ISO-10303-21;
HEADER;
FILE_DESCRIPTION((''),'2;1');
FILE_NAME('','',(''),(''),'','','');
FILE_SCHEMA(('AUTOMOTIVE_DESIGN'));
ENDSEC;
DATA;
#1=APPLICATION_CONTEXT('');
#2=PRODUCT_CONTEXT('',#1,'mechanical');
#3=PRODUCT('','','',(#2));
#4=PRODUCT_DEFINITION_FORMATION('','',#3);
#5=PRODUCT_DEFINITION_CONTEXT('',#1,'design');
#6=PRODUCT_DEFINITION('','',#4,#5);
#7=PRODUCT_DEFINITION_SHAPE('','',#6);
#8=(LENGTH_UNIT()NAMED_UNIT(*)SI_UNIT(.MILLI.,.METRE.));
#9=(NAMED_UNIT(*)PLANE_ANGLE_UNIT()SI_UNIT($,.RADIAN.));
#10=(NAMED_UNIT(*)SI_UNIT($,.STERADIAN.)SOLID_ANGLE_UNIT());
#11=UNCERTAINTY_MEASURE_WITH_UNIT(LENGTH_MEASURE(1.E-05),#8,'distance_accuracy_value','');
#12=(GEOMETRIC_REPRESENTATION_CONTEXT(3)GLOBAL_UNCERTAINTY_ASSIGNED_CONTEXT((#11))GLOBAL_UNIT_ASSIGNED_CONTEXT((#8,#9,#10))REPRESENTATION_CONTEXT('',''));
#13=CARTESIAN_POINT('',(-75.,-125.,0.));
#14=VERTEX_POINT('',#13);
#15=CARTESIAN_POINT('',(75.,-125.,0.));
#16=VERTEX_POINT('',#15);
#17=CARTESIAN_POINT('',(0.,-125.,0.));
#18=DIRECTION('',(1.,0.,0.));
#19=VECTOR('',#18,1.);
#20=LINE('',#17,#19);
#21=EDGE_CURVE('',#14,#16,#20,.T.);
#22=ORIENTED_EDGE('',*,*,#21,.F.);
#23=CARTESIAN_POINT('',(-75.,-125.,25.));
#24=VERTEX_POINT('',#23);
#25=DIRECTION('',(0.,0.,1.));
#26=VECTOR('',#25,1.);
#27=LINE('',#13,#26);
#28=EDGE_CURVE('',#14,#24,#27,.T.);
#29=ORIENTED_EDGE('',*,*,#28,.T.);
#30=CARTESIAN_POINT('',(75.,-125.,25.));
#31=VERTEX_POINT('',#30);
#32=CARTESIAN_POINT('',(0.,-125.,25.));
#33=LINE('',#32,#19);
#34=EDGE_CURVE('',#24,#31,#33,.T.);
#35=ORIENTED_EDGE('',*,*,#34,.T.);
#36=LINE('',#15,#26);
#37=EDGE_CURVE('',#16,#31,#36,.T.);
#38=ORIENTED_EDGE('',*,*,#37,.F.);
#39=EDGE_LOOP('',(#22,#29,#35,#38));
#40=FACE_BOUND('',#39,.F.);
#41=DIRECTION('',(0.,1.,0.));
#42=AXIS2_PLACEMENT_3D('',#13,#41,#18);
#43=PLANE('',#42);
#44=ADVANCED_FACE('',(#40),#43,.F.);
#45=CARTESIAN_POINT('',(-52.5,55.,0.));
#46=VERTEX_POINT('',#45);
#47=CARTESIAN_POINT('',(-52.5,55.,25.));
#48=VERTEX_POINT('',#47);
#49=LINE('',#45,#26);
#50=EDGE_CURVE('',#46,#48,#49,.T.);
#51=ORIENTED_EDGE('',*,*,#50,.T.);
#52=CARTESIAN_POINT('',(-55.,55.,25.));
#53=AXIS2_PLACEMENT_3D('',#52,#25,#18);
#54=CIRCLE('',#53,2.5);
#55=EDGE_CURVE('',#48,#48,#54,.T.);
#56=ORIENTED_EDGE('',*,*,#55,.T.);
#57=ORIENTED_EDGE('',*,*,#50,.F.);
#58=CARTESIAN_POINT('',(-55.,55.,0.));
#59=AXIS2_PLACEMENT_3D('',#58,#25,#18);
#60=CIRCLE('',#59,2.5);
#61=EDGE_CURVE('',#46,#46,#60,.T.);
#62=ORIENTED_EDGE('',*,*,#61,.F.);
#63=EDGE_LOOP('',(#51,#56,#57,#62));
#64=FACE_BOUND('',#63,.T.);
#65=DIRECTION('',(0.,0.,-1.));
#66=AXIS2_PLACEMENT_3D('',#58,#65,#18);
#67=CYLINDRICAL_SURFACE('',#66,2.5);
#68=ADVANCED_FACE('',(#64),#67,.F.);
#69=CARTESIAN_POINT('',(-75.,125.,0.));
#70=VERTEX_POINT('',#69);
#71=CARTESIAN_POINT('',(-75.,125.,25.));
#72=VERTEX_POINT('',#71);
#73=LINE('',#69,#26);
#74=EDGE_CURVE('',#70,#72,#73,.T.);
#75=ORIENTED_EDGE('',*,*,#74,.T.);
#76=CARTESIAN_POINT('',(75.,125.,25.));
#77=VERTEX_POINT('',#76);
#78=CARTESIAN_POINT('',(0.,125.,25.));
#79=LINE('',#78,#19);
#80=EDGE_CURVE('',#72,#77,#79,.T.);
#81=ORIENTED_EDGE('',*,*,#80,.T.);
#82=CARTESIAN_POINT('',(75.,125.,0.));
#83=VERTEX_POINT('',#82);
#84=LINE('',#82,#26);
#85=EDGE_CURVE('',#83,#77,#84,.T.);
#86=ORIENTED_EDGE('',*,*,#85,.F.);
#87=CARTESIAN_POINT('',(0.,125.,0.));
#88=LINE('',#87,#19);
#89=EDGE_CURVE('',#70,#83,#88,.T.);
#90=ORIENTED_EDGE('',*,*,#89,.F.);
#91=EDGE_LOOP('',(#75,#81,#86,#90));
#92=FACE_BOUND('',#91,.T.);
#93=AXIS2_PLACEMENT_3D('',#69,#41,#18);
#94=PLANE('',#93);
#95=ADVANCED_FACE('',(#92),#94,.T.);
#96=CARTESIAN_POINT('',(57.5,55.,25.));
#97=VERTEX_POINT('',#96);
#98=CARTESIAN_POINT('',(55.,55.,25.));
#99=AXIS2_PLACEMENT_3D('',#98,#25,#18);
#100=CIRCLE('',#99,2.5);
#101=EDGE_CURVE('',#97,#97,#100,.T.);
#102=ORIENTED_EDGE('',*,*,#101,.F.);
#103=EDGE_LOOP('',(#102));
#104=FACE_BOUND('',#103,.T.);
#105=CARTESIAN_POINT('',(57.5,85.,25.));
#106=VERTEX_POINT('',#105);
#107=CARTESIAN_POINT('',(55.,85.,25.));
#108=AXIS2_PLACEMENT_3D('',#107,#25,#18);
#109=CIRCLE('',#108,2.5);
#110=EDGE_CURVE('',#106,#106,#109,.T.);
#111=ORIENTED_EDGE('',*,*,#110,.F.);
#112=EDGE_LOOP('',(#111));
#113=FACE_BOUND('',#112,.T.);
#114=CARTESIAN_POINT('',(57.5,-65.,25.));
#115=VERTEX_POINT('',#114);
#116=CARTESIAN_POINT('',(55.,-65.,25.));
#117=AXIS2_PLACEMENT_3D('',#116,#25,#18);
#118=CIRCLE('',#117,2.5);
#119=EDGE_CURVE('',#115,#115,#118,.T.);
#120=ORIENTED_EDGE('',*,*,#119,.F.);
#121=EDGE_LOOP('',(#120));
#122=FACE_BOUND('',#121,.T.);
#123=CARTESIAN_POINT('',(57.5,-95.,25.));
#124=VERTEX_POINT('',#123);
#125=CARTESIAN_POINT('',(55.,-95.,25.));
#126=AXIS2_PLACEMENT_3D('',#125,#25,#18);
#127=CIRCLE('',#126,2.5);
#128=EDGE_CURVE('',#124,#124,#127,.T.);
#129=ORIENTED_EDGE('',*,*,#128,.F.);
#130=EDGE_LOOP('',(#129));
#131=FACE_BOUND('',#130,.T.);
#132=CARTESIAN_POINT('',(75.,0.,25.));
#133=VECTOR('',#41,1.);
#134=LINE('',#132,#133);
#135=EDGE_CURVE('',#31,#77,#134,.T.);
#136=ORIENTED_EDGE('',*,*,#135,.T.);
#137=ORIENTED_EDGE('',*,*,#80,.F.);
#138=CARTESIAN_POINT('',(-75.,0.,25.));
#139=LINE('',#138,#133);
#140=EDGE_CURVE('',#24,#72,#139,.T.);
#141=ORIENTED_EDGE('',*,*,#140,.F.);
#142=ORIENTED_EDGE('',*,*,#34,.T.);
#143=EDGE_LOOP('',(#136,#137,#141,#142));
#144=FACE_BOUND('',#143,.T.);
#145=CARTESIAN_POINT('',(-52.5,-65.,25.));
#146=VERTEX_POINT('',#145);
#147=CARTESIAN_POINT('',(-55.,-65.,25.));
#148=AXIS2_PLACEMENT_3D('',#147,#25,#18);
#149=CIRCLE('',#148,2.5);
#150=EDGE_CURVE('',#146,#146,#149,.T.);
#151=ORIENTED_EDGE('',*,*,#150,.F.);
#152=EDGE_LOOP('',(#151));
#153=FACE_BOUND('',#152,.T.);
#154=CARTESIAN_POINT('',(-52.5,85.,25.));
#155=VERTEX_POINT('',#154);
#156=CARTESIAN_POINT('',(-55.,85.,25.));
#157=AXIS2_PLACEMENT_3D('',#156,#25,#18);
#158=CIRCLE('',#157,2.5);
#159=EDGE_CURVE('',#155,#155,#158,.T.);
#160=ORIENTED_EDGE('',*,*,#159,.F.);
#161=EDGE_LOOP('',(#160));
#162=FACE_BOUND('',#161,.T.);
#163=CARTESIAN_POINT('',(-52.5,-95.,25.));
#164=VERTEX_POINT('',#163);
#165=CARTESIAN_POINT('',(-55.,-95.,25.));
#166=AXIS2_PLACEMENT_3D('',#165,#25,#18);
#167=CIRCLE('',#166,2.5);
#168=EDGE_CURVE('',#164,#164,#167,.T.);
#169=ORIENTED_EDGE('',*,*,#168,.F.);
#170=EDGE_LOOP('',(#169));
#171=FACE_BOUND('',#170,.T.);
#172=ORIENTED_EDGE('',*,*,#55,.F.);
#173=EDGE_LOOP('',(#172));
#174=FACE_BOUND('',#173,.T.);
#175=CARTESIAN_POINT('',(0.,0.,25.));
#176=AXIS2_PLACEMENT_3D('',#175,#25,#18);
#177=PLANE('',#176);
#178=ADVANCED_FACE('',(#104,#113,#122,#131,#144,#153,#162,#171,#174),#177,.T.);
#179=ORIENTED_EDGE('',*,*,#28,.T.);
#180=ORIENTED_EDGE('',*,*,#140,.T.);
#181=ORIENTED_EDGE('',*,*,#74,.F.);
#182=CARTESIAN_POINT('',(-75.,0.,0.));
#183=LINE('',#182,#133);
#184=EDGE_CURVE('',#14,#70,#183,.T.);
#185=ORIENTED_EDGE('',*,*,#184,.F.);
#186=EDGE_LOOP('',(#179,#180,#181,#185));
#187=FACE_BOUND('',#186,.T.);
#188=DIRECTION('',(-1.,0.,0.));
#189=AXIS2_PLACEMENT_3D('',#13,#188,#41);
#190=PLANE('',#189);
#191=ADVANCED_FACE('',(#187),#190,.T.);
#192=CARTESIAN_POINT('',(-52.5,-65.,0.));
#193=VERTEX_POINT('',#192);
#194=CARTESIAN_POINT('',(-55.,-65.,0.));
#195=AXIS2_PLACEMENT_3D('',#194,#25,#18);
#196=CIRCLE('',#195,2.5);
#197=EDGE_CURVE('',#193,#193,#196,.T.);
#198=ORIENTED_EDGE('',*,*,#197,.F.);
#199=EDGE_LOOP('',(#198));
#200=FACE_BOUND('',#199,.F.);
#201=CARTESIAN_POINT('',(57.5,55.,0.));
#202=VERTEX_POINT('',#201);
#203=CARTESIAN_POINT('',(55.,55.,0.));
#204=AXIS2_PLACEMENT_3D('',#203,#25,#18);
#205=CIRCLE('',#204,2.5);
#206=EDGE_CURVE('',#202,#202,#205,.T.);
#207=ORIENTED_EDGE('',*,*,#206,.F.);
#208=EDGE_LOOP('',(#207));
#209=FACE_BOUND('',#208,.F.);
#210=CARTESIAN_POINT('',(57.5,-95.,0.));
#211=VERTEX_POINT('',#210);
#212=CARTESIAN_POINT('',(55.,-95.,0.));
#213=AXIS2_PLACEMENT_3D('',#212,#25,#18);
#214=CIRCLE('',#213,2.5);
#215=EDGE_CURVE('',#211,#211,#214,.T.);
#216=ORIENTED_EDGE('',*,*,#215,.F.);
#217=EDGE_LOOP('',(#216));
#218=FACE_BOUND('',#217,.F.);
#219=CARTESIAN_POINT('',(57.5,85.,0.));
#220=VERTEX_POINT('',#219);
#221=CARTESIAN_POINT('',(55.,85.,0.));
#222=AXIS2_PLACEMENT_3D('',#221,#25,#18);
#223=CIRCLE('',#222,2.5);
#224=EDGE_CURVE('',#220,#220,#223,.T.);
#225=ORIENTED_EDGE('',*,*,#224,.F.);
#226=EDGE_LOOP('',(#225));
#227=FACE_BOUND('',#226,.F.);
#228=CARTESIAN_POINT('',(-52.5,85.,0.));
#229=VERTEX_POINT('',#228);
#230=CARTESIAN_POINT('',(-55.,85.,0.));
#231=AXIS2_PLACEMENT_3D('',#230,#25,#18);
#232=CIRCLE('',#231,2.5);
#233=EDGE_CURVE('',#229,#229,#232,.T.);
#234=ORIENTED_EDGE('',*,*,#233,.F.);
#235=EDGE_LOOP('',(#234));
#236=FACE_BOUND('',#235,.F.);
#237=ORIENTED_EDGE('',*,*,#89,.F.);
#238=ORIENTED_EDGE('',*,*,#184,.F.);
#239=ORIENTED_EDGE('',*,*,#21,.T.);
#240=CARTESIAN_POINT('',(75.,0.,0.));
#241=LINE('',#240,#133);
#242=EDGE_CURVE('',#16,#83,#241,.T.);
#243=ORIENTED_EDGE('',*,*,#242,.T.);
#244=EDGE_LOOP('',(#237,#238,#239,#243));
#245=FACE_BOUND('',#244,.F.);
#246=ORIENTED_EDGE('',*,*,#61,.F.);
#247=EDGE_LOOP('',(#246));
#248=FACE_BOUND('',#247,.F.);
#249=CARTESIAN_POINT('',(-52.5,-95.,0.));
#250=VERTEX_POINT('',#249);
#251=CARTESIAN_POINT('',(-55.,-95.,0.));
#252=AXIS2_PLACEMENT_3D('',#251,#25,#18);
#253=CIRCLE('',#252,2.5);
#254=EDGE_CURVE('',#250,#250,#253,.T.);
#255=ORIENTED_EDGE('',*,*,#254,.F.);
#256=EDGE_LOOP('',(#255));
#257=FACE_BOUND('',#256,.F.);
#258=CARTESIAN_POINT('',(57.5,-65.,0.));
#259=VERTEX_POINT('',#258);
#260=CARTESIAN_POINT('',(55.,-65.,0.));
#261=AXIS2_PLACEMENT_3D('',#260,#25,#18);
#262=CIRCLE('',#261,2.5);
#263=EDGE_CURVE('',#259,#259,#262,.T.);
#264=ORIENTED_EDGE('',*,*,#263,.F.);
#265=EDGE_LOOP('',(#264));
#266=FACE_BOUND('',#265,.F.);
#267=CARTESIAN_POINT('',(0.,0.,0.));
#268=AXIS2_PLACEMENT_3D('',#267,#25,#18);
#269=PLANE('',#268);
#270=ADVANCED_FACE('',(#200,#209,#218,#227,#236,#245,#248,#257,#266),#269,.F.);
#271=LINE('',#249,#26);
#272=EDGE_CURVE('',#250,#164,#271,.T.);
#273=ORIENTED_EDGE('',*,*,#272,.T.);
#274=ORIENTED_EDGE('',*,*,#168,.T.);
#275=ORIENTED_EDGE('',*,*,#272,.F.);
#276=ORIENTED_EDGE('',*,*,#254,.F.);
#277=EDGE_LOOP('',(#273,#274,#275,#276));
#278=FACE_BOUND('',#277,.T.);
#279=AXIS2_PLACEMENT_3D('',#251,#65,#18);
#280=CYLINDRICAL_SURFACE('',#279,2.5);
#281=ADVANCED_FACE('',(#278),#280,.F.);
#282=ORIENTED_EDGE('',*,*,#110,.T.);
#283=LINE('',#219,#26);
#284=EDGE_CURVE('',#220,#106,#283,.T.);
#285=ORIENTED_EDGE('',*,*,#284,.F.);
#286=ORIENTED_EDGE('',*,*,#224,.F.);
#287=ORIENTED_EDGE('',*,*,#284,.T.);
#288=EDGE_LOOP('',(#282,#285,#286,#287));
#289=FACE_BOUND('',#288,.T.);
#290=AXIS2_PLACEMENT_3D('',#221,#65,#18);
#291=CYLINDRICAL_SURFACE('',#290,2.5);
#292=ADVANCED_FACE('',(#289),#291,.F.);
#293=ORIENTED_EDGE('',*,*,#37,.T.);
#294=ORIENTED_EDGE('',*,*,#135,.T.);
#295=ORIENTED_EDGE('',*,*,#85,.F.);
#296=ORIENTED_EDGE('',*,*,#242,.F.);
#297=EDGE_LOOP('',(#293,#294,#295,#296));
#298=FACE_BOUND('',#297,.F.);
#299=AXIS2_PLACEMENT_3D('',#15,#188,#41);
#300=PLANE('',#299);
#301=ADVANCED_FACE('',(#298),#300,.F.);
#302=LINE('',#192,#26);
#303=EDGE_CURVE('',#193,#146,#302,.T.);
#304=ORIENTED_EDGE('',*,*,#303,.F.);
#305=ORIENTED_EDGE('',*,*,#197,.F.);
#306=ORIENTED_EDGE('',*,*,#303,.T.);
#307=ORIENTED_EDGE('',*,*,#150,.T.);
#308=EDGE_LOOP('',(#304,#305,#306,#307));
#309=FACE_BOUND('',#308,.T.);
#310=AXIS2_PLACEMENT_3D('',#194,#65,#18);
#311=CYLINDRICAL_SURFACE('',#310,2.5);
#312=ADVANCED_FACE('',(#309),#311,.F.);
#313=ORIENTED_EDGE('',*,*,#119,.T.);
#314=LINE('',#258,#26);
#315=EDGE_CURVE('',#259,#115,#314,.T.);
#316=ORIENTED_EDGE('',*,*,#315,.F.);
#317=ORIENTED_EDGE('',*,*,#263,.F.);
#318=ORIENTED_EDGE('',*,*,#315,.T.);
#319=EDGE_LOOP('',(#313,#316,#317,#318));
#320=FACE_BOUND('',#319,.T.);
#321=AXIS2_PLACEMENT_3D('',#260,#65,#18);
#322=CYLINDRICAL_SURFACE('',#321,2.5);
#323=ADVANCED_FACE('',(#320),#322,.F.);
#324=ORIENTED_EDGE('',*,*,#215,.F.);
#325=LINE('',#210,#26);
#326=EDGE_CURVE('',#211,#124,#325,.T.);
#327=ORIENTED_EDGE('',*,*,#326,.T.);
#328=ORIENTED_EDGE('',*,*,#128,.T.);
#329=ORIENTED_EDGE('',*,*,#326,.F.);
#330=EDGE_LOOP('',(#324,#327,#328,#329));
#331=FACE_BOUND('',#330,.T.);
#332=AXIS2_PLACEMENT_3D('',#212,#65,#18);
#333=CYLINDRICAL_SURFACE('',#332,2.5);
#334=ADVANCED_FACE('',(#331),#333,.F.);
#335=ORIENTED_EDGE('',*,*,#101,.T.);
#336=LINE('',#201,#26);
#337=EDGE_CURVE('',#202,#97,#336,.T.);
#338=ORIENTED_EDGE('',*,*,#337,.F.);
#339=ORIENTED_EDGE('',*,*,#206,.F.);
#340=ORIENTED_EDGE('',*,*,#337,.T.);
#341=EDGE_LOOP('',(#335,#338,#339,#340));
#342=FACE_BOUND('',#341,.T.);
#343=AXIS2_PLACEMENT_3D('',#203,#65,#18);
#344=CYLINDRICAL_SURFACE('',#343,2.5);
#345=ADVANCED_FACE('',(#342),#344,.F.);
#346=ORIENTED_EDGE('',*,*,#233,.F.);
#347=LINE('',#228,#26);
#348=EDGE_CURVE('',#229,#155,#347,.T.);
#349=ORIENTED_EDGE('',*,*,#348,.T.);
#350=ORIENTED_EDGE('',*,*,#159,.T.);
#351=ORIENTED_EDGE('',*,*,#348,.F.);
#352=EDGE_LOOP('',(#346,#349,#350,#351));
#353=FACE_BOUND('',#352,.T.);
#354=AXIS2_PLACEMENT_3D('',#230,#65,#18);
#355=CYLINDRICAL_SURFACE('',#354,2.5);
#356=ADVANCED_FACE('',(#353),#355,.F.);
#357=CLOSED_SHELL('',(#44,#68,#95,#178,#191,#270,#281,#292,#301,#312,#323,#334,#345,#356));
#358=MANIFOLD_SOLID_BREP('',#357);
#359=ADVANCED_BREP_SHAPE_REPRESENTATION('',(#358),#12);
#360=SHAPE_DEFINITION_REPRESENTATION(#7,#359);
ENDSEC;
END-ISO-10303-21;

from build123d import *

# Parameters (mm, degrees)
F0_W     = 150
F0_H     = 250
F0_R     = 2.5
F1_DEPTH = 25


with BuildPart() as f1:
    # F0 (on Top) → F1 (new body)
    with BuildSketch(Plane.XY):
        Rectangle(F0_W, F0_H)
        with Locations((-55, -95)):
            Circle(F0_R, mode=Mode.SUBTRACT)
        with Locations((-55, -65)):
            Circle(F0_R, mode=Mode.SUBTRACT)
        with Locations((55, -95)):
            Circle(F0_R, mode=Mode.SUBTRACT)
        with Locations((55, -65)):
            Circle(F0_R, mode=Mode.SUBTRACT)
        with Locations((-55, 55)):
            Circle(F0_R, mode=Mode.SUBTRACT)
        with Locations((-55, 85)):
            Circle(F0_R, mode=Mode.SUBTRACT)
        with Locations((55, 55)):
            Circle(F0_R, mode=Mode.SUBTRACT)
        with Locations((55, 85)):
            Circle(F0_R, mode=Mode.SUBTRACT)
    extrude(amount=F1_DEPTH)


solid = f1.part
